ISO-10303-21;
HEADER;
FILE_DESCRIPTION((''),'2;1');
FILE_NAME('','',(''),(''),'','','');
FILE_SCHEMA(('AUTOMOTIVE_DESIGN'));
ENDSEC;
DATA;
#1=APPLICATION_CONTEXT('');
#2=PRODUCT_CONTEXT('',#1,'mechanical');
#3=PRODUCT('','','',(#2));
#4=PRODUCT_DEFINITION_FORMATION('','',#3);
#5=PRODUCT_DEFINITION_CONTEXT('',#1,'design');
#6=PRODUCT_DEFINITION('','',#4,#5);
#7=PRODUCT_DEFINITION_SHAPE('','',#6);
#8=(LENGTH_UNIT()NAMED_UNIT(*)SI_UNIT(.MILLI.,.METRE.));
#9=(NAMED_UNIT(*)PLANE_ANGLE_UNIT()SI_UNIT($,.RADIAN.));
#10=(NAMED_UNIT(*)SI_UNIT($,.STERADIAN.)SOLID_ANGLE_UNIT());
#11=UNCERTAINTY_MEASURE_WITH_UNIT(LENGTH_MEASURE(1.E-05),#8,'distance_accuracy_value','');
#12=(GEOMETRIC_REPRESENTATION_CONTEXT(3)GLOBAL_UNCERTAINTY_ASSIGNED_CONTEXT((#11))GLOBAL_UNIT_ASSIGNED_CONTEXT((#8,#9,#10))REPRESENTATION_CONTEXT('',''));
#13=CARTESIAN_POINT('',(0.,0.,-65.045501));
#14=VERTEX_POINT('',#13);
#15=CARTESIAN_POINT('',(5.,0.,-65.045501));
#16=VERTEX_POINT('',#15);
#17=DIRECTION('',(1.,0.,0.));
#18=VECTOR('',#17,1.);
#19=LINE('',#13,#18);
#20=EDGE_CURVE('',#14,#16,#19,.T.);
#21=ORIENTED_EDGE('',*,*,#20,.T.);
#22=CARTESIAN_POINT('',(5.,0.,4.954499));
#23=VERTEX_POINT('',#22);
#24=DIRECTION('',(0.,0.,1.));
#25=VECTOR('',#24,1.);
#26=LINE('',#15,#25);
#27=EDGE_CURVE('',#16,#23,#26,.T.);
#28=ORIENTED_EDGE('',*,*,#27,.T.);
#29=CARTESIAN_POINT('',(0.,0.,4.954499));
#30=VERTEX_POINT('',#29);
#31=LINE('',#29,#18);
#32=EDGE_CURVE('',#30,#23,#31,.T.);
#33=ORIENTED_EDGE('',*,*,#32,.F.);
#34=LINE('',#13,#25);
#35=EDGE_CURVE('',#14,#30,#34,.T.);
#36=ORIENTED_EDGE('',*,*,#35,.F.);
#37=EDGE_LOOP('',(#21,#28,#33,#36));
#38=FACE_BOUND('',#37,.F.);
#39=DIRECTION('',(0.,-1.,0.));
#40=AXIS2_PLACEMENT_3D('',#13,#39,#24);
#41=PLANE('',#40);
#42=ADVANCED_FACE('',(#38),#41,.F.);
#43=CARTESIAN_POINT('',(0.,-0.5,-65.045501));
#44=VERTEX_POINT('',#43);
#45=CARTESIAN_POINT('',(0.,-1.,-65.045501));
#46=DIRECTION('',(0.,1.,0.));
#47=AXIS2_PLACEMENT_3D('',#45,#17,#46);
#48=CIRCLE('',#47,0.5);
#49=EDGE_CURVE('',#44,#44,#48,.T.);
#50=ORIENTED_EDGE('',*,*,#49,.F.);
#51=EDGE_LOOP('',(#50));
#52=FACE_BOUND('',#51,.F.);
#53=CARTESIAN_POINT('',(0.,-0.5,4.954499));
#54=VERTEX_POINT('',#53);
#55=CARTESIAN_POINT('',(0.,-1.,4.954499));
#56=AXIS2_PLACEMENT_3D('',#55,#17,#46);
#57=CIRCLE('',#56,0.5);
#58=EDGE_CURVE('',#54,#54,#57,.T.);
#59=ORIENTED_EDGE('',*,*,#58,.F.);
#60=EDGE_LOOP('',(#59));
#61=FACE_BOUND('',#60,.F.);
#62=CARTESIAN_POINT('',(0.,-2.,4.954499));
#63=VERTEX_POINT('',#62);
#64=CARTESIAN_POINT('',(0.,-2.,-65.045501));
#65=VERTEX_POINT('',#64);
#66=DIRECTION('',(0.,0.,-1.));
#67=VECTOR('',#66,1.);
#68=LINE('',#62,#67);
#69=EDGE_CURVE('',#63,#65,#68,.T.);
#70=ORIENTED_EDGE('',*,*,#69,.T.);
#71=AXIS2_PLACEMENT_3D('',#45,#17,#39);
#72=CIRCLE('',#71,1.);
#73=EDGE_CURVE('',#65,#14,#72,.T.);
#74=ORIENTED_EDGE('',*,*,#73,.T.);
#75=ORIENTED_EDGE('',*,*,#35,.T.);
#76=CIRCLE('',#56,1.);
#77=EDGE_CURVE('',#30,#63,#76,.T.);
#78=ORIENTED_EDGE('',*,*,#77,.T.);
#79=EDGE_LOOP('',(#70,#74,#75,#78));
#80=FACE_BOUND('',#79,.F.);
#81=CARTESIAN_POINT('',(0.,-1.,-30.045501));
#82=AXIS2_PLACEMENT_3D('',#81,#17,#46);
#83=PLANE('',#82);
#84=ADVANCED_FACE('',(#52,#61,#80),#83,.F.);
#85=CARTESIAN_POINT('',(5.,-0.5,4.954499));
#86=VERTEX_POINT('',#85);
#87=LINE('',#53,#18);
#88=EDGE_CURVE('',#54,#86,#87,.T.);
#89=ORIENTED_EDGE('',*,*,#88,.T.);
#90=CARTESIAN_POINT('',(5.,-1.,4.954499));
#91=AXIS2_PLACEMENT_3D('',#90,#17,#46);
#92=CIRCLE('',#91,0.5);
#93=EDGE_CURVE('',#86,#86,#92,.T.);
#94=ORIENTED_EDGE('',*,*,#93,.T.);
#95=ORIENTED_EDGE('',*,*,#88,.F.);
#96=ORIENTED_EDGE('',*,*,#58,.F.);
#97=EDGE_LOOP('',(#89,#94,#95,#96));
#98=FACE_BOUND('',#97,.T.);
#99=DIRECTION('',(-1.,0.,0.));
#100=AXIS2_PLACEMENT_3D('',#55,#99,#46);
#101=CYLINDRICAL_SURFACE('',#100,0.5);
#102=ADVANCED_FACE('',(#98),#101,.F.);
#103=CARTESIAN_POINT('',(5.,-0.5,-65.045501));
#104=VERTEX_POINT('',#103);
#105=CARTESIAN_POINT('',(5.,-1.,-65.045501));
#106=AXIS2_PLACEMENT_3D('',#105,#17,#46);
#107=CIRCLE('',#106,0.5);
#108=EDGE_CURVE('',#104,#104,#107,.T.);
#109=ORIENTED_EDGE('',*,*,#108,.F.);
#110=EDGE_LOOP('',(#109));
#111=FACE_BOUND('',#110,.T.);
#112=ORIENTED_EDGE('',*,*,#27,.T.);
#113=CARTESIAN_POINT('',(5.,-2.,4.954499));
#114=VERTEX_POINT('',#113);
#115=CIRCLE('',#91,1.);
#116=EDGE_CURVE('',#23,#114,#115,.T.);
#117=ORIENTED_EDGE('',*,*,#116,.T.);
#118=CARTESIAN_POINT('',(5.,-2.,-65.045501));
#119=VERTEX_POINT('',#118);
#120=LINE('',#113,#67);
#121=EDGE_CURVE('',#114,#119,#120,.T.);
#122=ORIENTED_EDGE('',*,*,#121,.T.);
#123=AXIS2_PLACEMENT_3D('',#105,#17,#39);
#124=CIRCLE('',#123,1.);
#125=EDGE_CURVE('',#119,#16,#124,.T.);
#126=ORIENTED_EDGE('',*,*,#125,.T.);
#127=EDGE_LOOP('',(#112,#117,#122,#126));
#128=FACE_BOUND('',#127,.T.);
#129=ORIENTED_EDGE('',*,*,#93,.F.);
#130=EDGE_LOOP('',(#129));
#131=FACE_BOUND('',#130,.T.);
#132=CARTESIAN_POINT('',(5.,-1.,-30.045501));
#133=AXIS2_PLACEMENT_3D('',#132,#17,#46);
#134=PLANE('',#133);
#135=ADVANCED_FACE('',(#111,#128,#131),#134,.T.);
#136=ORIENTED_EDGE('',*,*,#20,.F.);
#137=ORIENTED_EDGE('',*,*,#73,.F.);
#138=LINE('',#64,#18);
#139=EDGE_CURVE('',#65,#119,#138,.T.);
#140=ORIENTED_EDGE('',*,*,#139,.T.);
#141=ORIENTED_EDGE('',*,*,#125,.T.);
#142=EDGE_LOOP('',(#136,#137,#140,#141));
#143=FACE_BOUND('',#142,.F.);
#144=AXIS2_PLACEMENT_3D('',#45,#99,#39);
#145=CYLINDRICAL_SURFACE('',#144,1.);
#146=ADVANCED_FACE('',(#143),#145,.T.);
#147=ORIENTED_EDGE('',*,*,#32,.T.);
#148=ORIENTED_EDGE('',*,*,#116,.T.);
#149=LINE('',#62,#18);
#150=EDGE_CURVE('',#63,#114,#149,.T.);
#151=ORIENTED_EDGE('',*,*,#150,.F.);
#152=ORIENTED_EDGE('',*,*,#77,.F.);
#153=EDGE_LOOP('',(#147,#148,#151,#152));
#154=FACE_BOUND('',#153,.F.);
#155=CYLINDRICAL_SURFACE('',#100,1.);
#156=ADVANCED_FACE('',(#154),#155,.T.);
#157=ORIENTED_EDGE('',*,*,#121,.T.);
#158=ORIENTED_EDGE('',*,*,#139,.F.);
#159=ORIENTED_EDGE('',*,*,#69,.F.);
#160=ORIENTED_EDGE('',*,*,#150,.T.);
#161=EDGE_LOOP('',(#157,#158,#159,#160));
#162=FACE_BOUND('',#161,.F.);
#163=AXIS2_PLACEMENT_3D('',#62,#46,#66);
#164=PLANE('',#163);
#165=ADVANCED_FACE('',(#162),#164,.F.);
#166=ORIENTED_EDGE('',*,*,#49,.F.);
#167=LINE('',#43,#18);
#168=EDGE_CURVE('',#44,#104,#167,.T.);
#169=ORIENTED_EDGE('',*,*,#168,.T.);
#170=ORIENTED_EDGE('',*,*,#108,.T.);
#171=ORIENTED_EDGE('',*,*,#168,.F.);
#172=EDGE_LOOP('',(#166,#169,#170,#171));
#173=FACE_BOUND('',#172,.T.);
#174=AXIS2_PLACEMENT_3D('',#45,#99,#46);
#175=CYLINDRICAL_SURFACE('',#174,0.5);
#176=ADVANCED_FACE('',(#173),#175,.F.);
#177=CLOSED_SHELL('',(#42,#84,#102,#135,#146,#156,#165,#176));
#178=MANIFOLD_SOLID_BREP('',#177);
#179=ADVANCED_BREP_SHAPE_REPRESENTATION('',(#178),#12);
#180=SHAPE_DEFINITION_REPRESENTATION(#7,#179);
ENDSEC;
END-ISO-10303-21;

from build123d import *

# Parameters (mm, degrees)
F0_R     = 0.5
F1_DEPTH = 5


with BuildPart() as f1:
    # F0 (on Right) → F1 (new body)
    with BuildSketch(Plane.YZ):
        with BuildLine():
            Line((0, -65.045501), (0, 4.954499))
            ThreePointArc((0, 4.954499), (-1, 5.954499), (-2, 4.954499))
            Line((-2, 4.954499), (-2, -65.045501))
            ThreePointArc((-2, -65.045501), (-1, -66.045501), (0, -65.045501))
        make_face()
        with Locations((-1, -65.045501)):
            Circle(F0_R, mode=Mode.SUBTRACT)
        with Locations((-1, 4.954499)):
            Circle(F0_R, mode=Mode.SUBTRACT)
    extrude(amount=F1_DEPTH)


solid = f1.part
